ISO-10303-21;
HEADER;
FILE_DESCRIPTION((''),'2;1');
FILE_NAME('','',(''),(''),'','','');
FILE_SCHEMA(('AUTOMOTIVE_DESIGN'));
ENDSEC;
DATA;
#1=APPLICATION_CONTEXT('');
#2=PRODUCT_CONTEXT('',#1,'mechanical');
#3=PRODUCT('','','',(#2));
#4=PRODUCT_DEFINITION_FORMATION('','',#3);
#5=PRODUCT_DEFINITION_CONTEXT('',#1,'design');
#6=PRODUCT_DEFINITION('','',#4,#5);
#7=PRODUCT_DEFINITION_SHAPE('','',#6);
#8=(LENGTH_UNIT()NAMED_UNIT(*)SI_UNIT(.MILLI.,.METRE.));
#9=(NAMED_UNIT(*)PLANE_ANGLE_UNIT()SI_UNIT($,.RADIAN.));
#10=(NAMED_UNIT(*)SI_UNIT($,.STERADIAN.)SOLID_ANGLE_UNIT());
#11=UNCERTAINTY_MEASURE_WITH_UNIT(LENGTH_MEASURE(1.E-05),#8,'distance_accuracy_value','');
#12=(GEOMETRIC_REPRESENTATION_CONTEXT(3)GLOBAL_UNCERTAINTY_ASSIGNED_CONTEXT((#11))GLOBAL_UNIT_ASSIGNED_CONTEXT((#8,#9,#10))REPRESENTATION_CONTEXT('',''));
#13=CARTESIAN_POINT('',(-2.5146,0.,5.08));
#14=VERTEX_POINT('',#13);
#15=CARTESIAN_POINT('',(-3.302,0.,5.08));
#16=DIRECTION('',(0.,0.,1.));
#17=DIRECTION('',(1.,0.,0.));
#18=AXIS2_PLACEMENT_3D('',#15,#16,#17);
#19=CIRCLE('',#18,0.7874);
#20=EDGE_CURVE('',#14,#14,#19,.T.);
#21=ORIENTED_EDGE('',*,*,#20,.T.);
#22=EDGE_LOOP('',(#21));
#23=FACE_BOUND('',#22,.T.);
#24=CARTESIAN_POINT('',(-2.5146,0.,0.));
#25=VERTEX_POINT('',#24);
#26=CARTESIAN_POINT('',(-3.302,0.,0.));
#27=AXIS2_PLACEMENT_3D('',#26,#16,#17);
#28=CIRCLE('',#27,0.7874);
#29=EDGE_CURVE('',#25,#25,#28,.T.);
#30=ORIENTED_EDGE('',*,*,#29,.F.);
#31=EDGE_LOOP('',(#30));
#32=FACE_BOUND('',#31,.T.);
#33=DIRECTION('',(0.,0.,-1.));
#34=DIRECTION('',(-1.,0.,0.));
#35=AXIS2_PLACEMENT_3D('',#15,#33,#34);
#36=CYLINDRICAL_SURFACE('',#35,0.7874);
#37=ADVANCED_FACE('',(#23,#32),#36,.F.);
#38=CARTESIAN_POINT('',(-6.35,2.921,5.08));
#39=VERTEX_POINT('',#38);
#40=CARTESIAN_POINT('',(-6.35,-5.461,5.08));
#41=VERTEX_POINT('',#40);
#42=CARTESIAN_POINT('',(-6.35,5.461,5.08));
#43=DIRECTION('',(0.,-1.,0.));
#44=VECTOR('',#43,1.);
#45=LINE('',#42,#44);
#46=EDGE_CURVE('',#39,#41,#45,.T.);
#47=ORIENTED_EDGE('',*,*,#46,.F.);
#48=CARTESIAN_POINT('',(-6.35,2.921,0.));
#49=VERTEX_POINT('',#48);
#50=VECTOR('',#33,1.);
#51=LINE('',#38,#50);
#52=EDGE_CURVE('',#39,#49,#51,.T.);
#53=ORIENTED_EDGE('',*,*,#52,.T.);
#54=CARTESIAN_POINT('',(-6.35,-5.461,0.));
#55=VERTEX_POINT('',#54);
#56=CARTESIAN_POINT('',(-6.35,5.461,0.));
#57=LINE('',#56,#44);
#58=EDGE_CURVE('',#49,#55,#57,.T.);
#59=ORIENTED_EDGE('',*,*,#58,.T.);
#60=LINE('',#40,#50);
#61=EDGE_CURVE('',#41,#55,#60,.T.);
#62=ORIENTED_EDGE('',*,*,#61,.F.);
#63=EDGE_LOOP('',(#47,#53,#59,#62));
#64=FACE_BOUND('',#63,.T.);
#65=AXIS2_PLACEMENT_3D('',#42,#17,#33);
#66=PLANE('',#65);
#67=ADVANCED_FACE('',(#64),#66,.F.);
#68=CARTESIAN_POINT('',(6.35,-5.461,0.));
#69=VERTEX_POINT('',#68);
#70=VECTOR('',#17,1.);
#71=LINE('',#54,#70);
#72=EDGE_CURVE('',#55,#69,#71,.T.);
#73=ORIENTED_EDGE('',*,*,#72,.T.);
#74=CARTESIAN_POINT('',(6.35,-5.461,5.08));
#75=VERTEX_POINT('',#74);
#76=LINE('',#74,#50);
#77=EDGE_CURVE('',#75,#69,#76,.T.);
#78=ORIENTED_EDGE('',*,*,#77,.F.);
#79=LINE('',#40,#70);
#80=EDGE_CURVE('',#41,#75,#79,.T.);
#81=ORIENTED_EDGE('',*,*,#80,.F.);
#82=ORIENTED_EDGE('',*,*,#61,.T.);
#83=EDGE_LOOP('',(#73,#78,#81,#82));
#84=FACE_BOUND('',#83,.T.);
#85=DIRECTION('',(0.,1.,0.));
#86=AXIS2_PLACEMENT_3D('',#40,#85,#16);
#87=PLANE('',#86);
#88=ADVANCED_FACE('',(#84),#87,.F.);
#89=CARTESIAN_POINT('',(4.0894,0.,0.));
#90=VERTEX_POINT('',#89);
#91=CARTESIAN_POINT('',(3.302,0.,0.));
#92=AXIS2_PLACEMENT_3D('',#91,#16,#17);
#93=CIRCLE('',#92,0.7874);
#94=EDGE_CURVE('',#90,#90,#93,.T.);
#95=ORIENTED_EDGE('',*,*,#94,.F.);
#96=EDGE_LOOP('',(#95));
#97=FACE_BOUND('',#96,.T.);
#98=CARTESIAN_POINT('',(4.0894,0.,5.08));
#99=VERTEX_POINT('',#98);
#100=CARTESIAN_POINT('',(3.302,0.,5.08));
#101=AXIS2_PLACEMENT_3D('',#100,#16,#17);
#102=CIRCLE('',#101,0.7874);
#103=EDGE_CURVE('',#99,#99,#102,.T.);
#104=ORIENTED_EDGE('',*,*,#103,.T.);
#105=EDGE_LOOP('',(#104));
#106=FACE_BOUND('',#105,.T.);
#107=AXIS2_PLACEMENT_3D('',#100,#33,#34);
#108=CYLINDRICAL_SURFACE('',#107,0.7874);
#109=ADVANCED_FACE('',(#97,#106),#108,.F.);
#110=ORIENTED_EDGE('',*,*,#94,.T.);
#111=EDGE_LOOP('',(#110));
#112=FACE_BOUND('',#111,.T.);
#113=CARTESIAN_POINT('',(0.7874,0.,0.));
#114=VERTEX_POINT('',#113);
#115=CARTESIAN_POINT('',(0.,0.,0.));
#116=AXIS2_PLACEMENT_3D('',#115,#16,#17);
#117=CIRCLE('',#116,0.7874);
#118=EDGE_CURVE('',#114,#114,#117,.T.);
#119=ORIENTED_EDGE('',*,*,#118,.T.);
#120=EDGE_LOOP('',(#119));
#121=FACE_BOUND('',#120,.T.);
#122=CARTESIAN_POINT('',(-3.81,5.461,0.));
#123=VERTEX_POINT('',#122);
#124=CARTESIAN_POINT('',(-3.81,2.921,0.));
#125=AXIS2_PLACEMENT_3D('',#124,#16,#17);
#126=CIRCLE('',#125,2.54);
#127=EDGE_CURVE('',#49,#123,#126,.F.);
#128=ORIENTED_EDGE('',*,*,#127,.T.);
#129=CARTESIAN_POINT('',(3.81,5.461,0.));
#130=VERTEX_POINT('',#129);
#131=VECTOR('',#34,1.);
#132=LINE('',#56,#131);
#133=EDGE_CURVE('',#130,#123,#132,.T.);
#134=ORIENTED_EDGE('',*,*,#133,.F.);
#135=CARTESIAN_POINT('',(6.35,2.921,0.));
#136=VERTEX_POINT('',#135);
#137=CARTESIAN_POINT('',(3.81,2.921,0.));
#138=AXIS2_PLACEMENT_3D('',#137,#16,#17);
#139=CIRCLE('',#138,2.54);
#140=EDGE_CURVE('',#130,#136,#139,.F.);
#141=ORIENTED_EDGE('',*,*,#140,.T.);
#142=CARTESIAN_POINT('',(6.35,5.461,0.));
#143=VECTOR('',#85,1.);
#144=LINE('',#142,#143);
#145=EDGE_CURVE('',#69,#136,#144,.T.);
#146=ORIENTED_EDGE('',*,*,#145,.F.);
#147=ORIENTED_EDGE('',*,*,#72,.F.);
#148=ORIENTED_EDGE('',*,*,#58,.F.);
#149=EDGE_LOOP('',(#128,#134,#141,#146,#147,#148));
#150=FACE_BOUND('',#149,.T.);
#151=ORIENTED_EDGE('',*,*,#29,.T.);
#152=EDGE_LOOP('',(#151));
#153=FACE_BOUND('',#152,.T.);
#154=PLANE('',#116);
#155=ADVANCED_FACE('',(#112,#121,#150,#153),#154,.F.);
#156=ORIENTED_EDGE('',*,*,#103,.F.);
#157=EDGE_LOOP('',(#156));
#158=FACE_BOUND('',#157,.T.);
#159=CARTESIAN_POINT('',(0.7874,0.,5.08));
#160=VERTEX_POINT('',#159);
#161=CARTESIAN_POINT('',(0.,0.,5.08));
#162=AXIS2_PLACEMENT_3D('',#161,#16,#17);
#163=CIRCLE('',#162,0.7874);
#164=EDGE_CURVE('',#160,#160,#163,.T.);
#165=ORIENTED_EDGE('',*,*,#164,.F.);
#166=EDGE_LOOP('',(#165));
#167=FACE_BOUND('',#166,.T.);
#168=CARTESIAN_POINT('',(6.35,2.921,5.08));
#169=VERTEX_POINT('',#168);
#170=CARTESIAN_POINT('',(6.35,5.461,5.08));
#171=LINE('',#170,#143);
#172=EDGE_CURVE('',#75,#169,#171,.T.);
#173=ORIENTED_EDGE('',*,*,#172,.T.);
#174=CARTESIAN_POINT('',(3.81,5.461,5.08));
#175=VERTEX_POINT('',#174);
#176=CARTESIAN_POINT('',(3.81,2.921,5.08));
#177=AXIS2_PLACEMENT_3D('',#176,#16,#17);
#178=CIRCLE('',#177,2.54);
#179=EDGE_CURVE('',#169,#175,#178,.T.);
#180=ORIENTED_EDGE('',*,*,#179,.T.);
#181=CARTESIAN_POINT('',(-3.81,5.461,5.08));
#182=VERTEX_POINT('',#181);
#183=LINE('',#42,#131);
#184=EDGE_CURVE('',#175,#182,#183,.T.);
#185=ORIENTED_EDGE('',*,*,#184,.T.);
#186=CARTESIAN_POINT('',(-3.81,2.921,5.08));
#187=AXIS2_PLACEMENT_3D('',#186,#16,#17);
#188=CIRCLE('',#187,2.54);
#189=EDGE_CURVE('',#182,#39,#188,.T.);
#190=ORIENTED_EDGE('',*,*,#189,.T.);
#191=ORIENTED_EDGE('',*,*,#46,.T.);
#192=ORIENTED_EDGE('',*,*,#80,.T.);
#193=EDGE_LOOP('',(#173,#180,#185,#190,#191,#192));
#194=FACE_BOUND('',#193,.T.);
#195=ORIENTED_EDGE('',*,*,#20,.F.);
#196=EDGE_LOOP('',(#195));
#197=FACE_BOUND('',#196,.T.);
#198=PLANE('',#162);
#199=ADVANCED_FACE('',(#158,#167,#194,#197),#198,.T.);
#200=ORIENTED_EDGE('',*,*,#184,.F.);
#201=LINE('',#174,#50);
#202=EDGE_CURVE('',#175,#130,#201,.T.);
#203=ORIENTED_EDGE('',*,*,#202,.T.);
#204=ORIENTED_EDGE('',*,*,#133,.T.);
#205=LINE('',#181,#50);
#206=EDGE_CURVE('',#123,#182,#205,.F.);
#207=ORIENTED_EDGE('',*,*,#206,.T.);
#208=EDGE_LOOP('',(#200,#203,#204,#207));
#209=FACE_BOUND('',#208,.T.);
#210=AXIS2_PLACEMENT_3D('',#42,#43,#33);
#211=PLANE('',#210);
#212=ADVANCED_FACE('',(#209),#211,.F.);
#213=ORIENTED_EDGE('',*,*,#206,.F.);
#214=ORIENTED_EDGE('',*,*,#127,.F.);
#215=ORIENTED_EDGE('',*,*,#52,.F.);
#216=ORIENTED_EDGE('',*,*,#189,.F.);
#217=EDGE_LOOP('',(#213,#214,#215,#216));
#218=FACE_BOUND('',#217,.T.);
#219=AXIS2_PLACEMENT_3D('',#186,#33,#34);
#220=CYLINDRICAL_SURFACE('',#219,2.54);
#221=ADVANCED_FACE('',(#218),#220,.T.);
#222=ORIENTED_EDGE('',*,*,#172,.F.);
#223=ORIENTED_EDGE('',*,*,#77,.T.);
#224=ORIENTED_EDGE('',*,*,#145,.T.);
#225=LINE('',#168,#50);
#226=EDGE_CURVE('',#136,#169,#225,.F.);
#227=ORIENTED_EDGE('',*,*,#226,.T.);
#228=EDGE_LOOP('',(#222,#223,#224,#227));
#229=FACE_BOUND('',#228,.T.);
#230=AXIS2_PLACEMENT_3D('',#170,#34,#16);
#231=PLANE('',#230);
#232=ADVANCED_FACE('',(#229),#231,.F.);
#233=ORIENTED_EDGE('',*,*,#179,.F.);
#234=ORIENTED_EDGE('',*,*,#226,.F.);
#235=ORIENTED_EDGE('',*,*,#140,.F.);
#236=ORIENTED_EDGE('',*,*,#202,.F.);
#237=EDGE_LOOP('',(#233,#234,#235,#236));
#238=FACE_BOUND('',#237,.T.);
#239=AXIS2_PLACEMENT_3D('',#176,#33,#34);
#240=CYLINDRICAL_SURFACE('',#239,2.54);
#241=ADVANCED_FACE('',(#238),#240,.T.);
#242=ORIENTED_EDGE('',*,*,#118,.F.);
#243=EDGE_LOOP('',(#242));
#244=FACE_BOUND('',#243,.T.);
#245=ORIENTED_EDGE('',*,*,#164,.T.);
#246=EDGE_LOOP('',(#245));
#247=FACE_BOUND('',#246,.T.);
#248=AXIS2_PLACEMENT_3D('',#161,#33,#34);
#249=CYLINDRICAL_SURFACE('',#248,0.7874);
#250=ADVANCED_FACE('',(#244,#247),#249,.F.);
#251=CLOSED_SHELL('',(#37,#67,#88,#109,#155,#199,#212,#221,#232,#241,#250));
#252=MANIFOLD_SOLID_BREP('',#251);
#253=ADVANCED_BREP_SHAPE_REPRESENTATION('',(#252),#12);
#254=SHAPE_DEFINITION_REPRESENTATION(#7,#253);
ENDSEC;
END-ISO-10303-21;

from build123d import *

# Parameters (mm, degrees)
SKETCH1_W           = 12.7
SKETCH1_H           = 10.922
BOSS_EXTRUDE1_DEPTH = 5.08
SKETCH2_R           = 0.7874
CUT_EXTRUDE1_DEPTH  = 5.08
FILLET1_R           = 2.54


with BuildPart() as part:
    # Sketch1 → Boss-Extrude1 (new body)
    with BuildSketch(Plane.XY):
        Rectangle(SKETCH1_W, SKETCH1_H)
    extrude(amount=BOSS_EXTRUDE1_DEPTH)

    # Sketch2 → Cut-Extrude1 (cut)
    with BuildSketch(Plane.XY):
        Circle(SKETCH2_R)
        with Locations((3.302, 0)):
            Circle(SKETCH2_R)
        with Locations((-3.302, 0)):
            Circle(SKETCH2_R)
    extrude(amount=CUT_EXTRUDE1_DEPTH, mode=Mode.SUBTRACT)

    # Fillet1
    fillet1_edges = [part.edges().sort_by_distance(p)[0] for p in [
        (-6.35, 5.461, 2.54),
        (6.35, 5.461, 2.54),
    ]]
    fillet(fillet1_edges, radius=FILLET1_R)


solid = part.part
